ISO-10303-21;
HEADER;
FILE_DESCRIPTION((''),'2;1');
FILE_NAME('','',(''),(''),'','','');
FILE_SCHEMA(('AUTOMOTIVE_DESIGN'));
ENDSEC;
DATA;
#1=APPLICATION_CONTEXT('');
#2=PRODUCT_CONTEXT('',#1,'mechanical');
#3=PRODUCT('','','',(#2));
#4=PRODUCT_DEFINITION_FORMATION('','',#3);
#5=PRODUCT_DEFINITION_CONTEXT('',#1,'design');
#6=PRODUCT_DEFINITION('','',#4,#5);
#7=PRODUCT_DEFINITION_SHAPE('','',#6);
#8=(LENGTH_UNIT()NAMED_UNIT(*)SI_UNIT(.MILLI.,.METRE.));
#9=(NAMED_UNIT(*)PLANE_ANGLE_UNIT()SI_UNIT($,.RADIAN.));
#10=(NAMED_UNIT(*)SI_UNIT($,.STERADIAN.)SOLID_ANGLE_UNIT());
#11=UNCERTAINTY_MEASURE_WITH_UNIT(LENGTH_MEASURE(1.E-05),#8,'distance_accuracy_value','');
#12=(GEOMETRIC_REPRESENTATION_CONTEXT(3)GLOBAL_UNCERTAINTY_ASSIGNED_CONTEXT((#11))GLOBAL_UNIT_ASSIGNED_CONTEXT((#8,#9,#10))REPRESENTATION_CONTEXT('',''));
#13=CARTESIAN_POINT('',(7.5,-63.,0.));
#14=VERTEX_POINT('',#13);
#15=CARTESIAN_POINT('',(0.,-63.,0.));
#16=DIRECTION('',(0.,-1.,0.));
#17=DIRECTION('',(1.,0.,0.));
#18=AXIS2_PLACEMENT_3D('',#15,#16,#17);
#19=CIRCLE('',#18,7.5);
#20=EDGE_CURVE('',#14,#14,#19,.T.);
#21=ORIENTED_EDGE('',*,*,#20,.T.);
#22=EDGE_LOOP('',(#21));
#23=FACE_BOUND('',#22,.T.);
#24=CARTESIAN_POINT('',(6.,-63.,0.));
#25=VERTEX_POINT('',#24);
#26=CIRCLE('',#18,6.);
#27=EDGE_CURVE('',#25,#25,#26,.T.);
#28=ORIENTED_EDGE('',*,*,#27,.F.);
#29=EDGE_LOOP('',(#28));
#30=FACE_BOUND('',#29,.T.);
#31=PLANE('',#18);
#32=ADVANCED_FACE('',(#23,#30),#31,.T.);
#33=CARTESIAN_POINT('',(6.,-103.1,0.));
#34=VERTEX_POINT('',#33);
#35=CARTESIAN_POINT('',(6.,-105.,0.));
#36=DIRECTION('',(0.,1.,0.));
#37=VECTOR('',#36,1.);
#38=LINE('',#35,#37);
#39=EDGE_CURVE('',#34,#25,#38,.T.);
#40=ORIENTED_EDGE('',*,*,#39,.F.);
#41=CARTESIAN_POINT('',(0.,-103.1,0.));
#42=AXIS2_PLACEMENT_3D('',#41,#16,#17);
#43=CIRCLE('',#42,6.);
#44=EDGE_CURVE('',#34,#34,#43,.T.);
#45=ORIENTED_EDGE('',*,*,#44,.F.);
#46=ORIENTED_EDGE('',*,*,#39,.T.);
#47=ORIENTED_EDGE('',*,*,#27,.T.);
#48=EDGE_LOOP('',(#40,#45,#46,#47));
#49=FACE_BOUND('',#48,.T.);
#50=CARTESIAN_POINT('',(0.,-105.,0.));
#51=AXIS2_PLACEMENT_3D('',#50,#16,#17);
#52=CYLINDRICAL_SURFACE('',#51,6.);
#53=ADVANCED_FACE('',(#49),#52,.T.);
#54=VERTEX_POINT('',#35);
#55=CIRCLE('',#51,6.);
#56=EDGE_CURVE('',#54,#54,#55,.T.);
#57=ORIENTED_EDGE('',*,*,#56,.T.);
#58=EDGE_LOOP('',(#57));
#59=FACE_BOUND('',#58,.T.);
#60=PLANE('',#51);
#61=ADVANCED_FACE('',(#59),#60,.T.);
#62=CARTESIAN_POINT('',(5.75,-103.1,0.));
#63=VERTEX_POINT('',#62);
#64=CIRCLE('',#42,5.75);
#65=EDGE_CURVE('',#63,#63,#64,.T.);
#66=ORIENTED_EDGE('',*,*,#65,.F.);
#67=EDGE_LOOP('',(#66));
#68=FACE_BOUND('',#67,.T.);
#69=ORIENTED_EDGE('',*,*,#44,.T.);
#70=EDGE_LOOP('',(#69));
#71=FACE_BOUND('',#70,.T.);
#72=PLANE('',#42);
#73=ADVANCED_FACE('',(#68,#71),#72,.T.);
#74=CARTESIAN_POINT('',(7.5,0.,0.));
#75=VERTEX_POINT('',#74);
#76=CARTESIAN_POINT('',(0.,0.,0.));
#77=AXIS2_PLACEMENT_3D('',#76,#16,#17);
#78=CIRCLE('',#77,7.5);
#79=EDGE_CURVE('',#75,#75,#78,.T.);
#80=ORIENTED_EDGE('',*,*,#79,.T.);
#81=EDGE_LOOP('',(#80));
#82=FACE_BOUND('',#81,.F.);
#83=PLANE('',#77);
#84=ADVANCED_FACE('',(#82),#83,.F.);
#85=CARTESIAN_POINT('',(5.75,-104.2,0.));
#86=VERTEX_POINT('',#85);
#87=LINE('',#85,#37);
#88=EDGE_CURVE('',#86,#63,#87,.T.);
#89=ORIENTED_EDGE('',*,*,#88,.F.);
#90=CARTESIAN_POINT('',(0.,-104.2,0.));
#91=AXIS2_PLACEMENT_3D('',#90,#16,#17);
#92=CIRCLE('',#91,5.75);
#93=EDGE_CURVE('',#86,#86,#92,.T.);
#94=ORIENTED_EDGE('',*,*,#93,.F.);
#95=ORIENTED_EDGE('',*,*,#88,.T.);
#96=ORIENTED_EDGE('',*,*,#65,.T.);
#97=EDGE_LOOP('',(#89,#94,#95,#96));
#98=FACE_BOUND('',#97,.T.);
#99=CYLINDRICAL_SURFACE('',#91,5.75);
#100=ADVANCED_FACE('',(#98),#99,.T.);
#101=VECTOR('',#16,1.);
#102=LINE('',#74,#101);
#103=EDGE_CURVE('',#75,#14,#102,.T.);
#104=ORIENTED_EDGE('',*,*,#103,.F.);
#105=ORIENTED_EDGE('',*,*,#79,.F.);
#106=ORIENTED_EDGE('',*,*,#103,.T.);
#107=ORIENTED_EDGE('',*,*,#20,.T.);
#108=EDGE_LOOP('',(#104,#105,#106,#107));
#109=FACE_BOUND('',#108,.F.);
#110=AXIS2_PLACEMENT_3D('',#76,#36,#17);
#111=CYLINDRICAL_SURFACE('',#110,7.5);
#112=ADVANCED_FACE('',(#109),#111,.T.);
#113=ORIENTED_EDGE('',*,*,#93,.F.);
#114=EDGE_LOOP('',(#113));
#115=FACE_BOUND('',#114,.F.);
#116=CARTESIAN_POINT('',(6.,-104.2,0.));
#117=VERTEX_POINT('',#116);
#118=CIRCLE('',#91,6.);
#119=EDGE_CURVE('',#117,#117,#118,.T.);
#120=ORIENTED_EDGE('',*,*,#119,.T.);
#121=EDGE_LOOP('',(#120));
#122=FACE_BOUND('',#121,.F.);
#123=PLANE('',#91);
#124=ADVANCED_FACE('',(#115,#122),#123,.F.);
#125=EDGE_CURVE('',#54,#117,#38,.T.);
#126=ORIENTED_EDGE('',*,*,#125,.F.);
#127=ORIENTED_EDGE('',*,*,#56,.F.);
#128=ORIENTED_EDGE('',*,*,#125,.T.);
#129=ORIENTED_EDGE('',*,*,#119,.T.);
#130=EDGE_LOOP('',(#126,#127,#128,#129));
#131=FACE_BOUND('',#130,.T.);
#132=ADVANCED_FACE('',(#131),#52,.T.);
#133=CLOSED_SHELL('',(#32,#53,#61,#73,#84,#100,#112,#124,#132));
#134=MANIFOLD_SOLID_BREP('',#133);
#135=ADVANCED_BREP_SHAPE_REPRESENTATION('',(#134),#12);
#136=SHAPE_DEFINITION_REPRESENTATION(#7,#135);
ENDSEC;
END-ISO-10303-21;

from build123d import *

# Parameters (mm, degrees)
F0_R     = 7.5
F1_DEPTH = 105
F2_R     = 7.5
F2_R_2   = 6
F3_DEPTH = 42
F5_R     = 6
F5_R_2   = 5.75
F6_DEPTH = 1.1


with BuildPart() as f1:
    # F0 (on Front) → F1 (new body)
    with BuildSketch(Plane.XZ):
        Circle(F0_R)
    extrude(amount=F1_DEPTH)

    # F2 (on face) → F3 (cut)
    with BuildSketch(Plane.XZ.offset(105)):
        Circle(F2_R)
        Circle(F2_R_2, mode=Mode.SUBTRACT)
    extrude(amount=-F3_DEPTH, mode=Mode.SUBTRACT)

    # F5 (on offset) → F6 (cut)
    with BuildSketch(Plane.XZ.offset(104.2)):
        Circle(F5_R)
        Circle(F5_R_2, mode=Mode.SUBTRACT)
    extrude(amount=-F6_DEPTH, mode=Mode.SUBTRACT)


solid = f1.part
